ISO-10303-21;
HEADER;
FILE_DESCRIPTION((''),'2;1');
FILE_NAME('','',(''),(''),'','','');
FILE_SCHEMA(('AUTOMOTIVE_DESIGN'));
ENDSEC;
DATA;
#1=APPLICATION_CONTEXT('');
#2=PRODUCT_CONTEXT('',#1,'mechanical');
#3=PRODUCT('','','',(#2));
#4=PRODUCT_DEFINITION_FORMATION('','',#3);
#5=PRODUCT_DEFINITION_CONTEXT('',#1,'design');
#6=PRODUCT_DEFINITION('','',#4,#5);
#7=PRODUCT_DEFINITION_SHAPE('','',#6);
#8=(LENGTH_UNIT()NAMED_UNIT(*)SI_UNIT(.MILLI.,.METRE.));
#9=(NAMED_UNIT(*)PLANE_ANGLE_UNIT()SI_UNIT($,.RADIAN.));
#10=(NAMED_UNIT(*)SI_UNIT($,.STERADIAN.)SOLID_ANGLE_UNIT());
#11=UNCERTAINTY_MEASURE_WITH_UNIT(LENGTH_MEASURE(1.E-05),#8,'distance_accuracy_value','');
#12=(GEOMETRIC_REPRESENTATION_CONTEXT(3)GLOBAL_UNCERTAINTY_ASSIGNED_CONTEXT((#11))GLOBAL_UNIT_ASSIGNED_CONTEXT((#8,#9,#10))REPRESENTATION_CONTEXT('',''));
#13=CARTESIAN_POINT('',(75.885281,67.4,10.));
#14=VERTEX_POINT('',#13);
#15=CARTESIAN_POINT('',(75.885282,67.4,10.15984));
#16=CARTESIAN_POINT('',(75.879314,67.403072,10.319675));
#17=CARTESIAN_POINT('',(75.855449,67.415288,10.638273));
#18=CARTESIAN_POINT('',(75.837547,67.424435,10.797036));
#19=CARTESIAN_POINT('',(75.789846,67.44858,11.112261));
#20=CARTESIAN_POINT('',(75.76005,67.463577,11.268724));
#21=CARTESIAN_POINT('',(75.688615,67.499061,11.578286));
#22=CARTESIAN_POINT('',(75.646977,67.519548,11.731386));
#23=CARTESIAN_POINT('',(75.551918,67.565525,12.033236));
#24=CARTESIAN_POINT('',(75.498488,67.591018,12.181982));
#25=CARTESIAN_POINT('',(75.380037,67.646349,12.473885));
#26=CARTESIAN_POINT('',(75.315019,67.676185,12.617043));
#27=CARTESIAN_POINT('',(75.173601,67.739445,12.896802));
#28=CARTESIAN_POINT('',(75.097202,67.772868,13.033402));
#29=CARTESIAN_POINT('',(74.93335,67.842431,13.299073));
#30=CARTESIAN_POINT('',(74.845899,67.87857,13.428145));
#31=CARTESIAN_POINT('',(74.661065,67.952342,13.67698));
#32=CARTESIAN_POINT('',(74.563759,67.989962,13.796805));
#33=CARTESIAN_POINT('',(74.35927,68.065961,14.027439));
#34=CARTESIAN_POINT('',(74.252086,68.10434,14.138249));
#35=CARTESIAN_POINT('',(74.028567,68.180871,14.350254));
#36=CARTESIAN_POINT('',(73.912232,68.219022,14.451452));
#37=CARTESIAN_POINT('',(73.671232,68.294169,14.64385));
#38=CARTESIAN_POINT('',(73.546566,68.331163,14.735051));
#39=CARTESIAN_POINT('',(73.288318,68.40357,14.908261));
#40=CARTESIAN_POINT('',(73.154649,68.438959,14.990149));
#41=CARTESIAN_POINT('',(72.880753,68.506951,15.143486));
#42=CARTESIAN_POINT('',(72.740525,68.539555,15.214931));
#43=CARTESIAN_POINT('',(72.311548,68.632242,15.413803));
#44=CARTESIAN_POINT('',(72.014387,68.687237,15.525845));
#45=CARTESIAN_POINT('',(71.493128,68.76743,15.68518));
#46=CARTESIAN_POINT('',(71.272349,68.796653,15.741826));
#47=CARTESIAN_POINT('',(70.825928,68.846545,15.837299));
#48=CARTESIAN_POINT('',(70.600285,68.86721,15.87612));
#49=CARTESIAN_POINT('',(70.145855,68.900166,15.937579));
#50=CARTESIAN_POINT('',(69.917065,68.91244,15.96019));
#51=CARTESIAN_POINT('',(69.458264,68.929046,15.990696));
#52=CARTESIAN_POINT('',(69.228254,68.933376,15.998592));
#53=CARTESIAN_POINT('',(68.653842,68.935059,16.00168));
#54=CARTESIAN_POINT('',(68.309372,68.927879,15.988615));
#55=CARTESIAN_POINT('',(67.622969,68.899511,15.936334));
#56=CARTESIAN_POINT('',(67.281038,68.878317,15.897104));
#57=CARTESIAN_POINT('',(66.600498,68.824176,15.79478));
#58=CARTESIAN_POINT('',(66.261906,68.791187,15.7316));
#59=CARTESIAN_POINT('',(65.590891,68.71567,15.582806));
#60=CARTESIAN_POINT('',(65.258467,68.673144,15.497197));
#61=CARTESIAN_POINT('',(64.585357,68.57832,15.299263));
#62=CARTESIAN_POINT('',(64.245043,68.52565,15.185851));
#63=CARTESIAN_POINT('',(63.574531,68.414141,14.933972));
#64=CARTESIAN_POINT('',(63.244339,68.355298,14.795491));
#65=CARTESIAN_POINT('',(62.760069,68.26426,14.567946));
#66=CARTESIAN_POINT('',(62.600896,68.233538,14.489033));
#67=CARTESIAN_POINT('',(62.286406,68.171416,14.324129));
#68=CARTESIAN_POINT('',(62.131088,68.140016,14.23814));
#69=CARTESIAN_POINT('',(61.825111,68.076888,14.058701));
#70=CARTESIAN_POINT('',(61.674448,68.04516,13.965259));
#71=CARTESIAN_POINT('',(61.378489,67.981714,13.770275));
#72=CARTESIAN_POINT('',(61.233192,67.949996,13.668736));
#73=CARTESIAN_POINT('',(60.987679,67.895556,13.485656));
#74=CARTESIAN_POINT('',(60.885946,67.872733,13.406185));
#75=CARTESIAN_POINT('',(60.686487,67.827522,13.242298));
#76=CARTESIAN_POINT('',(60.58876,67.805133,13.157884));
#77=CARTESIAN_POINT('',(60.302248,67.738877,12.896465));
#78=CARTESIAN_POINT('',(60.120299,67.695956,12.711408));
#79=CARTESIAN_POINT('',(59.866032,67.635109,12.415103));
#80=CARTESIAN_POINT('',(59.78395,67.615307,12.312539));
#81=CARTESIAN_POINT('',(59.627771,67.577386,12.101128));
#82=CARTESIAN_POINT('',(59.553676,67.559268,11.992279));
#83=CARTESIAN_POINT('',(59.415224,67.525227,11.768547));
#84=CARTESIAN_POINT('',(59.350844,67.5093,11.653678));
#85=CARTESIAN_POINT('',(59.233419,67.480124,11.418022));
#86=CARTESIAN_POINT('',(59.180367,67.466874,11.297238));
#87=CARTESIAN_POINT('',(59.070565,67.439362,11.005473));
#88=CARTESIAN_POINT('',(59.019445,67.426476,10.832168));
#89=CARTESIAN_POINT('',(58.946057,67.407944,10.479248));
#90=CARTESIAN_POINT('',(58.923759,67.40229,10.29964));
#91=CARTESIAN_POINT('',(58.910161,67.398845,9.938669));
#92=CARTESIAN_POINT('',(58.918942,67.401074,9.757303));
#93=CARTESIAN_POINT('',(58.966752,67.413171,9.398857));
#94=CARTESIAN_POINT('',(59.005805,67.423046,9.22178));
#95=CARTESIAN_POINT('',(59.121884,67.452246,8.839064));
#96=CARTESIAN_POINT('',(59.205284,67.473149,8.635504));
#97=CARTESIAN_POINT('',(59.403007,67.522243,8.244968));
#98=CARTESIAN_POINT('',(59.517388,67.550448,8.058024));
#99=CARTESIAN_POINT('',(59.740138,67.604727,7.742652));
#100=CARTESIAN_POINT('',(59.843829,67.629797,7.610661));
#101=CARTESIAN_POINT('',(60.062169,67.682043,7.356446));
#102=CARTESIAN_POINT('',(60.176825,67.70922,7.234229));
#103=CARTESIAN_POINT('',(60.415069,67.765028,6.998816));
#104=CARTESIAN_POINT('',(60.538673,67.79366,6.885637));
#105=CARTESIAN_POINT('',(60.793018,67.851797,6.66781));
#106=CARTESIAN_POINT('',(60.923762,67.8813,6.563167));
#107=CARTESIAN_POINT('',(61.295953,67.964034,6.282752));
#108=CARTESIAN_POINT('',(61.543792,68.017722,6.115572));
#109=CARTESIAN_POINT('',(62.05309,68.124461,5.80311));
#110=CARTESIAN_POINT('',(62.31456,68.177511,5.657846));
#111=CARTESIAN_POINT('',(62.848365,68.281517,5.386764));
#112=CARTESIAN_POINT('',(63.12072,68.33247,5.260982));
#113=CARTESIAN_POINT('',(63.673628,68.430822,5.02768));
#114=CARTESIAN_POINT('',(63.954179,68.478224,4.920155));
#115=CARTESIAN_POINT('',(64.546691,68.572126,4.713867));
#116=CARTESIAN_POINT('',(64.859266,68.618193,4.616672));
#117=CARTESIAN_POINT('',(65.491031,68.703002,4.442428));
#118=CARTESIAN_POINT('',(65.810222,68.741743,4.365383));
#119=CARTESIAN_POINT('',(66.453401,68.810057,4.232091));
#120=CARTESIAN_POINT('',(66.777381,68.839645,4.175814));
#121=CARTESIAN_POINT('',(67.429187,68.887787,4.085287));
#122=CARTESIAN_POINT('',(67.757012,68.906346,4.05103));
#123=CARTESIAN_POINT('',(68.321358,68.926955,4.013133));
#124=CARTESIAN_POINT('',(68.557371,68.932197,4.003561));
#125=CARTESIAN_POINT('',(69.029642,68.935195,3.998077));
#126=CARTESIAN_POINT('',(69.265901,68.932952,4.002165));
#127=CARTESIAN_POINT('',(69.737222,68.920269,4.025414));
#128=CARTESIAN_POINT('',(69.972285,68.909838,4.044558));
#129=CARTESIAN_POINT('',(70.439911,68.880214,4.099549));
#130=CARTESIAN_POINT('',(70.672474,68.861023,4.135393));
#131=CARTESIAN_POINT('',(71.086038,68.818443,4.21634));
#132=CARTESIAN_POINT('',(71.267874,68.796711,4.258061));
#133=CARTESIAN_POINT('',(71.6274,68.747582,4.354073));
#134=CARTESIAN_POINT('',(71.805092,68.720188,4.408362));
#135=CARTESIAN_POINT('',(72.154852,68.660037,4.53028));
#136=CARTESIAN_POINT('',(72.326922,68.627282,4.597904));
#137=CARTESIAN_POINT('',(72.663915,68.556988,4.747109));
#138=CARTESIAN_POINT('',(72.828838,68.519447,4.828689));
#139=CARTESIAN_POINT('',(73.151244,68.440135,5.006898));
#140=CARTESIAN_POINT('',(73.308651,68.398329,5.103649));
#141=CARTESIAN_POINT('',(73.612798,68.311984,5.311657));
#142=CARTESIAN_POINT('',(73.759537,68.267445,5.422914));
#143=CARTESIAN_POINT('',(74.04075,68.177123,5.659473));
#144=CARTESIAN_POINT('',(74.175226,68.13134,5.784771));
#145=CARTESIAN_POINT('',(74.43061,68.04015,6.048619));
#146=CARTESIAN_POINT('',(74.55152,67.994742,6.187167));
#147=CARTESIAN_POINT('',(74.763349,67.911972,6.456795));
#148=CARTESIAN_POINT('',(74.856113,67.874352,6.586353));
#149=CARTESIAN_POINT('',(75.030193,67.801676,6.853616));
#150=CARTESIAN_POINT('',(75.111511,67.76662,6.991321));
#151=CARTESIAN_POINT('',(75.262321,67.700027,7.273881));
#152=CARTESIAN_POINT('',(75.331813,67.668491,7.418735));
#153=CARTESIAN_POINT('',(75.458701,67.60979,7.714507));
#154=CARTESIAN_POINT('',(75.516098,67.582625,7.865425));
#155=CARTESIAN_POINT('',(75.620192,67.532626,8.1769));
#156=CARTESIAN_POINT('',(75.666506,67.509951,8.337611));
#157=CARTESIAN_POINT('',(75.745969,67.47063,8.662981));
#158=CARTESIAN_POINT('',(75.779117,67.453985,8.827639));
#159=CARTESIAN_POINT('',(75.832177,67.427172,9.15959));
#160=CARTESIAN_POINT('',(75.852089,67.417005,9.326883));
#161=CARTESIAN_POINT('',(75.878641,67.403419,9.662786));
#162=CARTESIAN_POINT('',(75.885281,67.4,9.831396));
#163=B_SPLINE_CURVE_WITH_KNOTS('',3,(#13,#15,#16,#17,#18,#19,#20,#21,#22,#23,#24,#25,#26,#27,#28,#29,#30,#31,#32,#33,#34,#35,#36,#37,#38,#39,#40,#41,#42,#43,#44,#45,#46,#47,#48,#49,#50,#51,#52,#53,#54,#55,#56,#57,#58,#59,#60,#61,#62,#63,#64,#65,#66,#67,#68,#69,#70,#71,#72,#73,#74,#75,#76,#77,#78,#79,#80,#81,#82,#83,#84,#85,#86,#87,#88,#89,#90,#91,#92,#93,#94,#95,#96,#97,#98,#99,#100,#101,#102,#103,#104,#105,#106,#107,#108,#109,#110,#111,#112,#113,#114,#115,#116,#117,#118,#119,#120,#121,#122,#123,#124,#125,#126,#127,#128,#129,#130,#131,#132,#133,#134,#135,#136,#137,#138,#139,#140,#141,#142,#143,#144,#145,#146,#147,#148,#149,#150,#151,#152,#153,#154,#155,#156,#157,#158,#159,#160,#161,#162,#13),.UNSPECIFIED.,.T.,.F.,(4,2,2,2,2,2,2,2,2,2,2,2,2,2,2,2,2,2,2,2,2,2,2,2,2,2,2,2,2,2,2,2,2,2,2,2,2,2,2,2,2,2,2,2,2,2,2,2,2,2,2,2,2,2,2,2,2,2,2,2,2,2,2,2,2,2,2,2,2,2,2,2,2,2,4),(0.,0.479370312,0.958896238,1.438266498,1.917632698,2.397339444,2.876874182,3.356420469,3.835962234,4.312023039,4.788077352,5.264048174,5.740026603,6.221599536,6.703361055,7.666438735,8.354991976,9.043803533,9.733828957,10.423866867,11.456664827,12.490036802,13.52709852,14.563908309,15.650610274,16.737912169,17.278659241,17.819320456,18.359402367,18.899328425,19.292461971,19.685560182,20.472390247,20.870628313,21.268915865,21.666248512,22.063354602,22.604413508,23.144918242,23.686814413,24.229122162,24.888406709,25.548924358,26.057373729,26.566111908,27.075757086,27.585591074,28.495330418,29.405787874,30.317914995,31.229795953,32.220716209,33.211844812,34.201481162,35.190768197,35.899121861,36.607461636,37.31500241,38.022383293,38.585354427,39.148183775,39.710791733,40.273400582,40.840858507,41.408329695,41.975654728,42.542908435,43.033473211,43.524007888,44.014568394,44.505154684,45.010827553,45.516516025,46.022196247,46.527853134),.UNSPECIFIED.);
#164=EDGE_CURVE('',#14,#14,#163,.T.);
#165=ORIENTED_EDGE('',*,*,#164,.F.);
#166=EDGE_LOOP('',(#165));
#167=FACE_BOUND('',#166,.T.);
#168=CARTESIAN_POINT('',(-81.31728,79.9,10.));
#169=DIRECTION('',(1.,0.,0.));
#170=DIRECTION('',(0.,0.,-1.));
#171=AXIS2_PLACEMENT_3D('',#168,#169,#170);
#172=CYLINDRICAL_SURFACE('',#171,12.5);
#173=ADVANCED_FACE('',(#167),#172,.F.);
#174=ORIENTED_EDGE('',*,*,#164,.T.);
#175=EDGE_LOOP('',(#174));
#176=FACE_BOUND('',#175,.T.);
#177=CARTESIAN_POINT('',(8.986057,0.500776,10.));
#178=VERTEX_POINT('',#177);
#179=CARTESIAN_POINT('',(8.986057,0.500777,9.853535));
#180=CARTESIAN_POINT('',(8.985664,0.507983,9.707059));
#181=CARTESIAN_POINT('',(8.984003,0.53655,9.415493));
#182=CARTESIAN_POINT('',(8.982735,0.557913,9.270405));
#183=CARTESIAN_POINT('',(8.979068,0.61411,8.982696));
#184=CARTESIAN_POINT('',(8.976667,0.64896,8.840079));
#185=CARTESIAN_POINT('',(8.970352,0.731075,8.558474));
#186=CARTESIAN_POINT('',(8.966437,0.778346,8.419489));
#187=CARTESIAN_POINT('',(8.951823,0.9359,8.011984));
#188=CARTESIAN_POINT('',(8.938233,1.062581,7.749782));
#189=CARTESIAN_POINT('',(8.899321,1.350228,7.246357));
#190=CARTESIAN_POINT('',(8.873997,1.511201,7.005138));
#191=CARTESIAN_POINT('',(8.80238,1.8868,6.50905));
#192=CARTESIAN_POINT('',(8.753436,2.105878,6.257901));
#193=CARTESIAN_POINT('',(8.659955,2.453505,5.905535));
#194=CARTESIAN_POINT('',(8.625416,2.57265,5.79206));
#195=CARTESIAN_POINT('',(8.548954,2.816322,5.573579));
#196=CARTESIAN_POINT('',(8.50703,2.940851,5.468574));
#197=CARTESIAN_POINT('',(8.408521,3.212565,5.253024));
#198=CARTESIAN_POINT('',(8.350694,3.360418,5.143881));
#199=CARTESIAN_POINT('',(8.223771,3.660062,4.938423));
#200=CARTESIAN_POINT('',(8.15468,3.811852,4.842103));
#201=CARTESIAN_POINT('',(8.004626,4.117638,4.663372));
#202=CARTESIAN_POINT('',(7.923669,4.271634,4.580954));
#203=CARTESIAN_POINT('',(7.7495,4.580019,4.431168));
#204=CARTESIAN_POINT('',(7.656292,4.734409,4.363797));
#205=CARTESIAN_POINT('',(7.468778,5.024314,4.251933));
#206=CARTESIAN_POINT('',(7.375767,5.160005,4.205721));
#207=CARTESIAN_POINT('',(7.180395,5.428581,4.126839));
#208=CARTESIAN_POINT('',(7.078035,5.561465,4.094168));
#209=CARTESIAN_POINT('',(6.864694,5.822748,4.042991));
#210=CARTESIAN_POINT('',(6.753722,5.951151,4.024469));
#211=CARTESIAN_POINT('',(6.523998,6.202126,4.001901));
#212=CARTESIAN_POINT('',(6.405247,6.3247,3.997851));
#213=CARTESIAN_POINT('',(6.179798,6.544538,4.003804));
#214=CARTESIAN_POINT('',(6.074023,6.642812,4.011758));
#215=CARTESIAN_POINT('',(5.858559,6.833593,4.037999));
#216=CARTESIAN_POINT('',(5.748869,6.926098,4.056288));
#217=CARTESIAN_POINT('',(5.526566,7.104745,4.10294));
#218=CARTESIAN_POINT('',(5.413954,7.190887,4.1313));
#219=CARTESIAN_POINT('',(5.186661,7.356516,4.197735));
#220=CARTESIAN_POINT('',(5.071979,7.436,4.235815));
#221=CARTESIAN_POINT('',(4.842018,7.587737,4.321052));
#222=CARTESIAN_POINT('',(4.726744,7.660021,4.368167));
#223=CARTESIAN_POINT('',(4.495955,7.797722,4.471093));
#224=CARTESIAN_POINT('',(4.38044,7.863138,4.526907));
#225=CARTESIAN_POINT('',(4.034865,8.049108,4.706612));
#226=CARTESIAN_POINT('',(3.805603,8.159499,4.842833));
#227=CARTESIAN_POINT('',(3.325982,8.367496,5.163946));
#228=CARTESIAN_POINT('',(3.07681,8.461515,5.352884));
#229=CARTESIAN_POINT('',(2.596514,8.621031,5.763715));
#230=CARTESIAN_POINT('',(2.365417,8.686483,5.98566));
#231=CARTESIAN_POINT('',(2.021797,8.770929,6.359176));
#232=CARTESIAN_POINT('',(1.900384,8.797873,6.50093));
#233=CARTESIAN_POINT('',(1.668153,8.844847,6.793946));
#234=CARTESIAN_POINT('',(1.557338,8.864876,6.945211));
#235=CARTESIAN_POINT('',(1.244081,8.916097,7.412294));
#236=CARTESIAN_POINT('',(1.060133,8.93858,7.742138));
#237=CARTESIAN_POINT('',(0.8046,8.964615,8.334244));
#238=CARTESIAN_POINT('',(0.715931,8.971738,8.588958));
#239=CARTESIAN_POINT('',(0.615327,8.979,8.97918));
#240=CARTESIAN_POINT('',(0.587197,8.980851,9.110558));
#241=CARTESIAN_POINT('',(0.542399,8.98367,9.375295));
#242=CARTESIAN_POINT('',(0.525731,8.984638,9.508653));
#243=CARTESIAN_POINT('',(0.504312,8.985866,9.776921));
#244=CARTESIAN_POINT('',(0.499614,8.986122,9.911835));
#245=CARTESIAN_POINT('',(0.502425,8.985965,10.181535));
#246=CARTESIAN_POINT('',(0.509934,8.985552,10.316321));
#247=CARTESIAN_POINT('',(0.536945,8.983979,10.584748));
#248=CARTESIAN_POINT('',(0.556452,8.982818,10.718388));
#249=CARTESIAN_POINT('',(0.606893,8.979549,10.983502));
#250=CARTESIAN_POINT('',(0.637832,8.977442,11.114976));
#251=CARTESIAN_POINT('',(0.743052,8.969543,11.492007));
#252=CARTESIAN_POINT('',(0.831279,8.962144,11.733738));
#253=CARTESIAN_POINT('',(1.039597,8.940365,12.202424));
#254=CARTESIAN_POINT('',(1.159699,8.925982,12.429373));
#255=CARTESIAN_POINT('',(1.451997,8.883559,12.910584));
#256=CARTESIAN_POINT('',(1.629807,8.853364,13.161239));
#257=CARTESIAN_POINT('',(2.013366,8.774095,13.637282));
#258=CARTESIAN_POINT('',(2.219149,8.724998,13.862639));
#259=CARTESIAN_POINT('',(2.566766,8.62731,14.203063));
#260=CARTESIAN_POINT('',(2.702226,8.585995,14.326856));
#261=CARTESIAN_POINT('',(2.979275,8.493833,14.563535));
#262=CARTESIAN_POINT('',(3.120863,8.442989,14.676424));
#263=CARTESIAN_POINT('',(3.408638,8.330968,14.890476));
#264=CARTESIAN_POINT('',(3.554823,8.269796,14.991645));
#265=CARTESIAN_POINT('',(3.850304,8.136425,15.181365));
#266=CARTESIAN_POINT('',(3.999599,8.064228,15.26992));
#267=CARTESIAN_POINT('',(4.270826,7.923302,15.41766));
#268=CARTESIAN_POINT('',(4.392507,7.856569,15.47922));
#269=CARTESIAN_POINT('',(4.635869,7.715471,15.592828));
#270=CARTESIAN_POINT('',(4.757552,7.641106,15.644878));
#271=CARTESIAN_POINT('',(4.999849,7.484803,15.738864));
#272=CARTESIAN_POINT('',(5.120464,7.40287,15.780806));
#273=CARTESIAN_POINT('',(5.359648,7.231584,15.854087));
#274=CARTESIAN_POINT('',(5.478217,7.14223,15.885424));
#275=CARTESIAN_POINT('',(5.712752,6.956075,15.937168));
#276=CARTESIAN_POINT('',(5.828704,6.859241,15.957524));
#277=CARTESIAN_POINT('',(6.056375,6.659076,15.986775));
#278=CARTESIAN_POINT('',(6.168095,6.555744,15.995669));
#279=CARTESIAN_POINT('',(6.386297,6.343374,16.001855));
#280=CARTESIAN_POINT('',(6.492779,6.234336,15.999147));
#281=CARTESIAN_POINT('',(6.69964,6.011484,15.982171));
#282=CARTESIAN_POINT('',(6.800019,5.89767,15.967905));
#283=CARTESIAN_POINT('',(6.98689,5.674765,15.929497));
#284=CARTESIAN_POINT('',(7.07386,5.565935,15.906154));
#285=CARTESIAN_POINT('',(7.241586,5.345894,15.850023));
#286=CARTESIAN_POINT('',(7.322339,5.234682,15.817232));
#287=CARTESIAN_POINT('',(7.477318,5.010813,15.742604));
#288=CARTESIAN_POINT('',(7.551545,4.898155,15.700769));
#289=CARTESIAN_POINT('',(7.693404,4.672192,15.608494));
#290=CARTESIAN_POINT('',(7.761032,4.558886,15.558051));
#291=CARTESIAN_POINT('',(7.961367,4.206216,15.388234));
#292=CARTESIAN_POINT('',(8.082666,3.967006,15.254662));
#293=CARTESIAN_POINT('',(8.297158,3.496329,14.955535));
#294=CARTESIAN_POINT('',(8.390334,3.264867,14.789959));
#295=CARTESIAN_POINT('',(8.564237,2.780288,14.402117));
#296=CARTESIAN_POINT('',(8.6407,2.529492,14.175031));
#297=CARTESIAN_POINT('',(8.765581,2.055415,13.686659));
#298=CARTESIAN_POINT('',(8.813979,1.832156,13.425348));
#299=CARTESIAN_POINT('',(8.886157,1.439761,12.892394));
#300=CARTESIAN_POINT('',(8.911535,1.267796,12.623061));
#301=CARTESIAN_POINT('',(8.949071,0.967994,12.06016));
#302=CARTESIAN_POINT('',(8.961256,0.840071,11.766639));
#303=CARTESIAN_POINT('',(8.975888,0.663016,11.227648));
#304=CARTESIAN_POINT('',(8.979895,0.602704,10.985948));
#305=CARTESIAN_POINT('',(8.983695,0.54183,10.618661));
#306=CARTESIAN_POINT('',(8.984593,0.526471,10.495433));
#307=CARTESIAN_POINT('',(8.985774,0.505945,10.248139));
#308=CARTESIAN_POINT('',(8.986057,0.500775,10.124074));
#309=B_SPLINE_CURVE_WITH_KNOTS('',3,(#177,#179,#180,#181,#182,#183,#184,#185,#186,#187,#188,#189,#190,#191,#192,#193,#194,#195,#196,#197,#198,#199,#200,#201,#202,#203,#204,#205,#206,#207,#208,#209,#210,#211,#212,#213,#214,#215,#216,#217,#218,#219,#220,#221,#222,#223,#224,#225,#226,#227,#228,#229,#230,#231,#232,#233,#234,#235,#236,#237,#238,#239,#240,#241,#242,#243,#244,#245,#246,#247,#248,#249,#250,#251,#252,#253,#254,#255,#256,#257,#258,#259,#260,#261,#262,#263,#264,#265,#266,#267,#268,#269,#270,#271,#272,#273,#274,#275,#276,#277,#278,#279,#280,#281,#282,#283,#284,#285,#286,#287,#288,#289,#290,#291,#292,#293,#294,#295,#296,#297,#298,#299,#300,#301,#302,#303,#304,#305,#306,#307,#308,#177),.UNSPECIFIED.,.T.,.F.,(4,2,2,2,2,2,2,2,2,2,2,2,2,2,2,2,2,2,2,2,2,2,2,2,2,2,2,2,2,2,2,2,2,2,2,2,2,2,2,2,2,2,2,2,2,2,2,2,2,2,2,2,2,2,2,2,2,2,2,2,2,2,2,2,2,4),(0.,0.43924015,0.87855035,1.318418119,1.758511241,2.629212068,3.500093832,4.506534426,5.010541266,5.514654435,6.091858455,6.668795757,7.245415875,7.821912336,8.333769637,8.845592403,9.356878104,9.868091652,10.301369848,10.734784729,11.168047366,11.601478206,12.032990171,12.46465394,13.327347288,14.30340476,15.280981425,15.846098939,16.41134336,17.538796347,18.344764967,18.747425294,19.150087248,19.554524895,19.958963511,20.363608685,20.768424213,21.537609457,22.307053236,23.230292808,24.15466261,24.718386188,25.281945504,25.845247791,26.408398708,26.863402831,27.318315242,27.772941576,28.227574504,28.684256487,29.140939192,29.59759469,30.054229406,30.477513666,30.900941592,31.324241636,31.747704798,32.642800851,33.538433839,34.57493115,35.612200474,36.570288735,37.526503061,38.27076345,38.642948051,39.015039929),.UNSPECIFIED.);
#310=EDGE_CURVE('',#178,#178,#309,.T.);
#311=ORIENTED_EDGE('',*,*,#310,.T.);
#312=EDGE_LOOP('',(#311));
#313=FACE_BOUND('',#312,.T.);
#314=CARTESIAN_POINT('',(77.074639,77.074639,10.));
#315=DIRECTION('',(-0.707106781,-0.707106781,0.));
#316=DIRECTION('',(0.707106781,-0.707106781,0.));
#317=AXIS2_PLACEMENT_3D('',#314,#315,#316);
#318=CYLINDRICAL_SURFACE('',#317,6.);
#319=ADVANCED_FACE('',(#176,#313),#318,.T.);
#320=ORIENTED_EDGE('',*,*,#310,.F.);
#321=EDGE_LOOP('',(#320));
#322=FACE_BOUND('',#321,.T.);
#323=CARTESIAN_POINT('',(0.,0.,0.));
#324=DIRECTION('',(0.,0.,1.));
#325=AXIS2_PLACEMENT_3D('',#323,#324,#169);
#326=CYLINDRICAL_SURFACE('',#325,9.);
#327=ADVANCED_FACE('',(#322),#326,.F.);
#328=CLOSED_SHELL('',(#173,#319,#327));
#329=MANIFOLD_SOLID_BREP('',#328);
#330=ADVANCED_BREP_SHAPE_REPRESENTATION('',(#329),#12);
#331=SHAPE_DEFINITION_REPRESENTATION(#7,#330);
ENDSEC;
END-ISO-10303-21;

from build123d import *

# Parameters (mm, degrees)
SKETCH9_R                       = 9
SKETCH9_R_2                     = 8
BOSS_EXTRUDE1_DEPTH             = 20
SKETCH10_W                      = 4.934959926
SKETCH10_H                      = 0.2
CUT_EXTRUDE1_DEPTH              = 20
SKETCH11_R                      = 6
BOSS_EXTRUDE2_DEPTH             = 100
BOSS_EXTRUDE2_DIRECTION_2_REACH = 23.728
SKETCH12_R                      = 6
BOSS_EXTRUDE3_DEPTH             = 100
BOSS_EXTRUDE3_DIRECTION_2_REACH = 74.864
SKETCH14_R                      = 12.5
CUT_EXTRUDE3_DEPTH              = 82.317279836
CUT_EXTRUDE3_DEPTH_BACK         = 82.317279836
CUT_EXTRUDE4_DEPTH              = 21.0000001


with BuildPart() as part:
    # Sketch9 → Boss-Extrude1 (new body)
    with BuildSketch(Plane.XY):
        Circle(SKETCH9_R)
        Circle(SKETCH9_R_2, mode=Mode.SUBTRACT)
    extrude(amount=BOSS_EXTRUDE1_DEPTH)

    # Sketch10 → Cut-Extrude1 (cut)
    with BuildSketch(Plane.XY.offset(20)):
        with Locations((8, 0)):
            Rectangle(SKETCH10_W, SKETCH10_H)
    extrude(amount=-CUT_EXTRUDE1_DEPTH, mode=Mode.SUBTRACT)

    # Sketch11 → Boss-Extrude2 (add)
    with BuildSketch(Plane(origin=(-6.363961031, 6.363961031, 0), x_dir=(0, 0, -1), z_dir=(-0.707106781, 0.707106781, 0))):
        with Locations((-10, 0)):
            Circle(SKETCH11_R)
    extrude(amount=BOSS_EXTRUDE2_DEPTH)

    # Sketch11 → Boss-Extrude2 direction 2 (add, up to next)
    with BuildSketch(Plane(origin=(-6.363961031, 6.363961031, 0), x_dir=(0, 0, -1), z_dir=(-0.707106781, 0.707106781, 0)), mode=Mode.PRIVATE) as boss_extrude2_direction_2_sk1:
        with Locations((-10, 0)):
            Circle(SKETCH11_R)
    boss_extrude2_direction_2_tool1 = extrude(boss_extrude2_direction_2_sk1.sketch, amount=-BOSS_EXTRUDE2_DIRECTION_2_REACH, mode=Mode.PRIVATE) - part.part
    add(boss_extrude2_direction_2_tool1.solids().sort_by_distance((-6.363961, 6.363961, 10))[0])
    add(boss_extrude2_direction_2_tool1.solids().sort_by_distance((-6.363961, 6.363961, 10))[1])

    # Sketch12 → Boss-Extrude3 (add)
    with BuildSketch(Plane(origin=(6.363961031, 6.363961031, 0), x_dir=(0, 0, -1), z_dir=(0.707106781, 0.707106781, 0))):
        with Locations((-10, 0)):
            Circle(SKETCH12_R)
    extrude(amount=BOSS_EXTRUDE3_DEPTH)

    # Sketch12 → Boss-Extrude3 direction 2 (add, up to next)
    with BuildSketch(Plane(origin=(6.363961031, 6.363961031, 0), x_dir=(0, 0, -1), z_dir=(0.707106781, 0.707106781, 0)), mode=Mode.PRIVATE) as boss_extrude3_direction_2_sk1:
        with Locations((-10, 0)):
            Circle(SKETCH12_R)
    boss_extrude3_direction_2_tool1 = extrude(boss_extrude3_direction_2_sk1.sketch, amount=-BOSS_EXTRUDE3_DIRECTION_2_REACH, mode=Mode.PRIVATE) - part.part
    add(boss_extrude3_direction_2_tool1.solids().sort_by_distance((6.363961, 6.363961, 10))[0])
    add(boss_extrude3_direction_2_tool1.solids().sort_by_distance((6.363961, 6.363961, 10))[1])

    # Sketch14 → Cut-Extrude3 (cut, two sides)
    with BuildSketch(Plane(origin=(0, 0, 0), x_dir=(0, 0, -1), z_dir=(1, 0, 0))) as cut_extrude3_sk:
        with Locations((-10, 79.9)):
            Circle(SKETCH14_R)
    extrude(amount=CUT_EXTRUDE3_DEPTH, mode=Mode.SUBTRACT)
    extrude(cut_extrude3_sk.sketch, amount=-CUT_EXTRUDE3_DEPTH_BACK, mode=Mode.SUBTRACT)

    # Sketch15 → Cut-Extrude4 (cut, through all)
    with BuildSketch(Plane.XY.offset(20)):
        with BuildLine():
            Line((-9, 0), (-109.979142128, 0))
            Line((-109.979142128, 0), (-109.979142128, 78.923804152))
            Line((-109.979142128, 78.923804152), (0, 78.923804152))
            Line((0, 78.923804152), (0, 9))
            ThreePointArc((0, 9), (6.363961031, -6.363961031), (-9, 0))
        make_face()
    extrude(amount=-CUT_EXTRUDE4_DEPTH, mode=Mode.SUBTRACT)


solid = part.part
